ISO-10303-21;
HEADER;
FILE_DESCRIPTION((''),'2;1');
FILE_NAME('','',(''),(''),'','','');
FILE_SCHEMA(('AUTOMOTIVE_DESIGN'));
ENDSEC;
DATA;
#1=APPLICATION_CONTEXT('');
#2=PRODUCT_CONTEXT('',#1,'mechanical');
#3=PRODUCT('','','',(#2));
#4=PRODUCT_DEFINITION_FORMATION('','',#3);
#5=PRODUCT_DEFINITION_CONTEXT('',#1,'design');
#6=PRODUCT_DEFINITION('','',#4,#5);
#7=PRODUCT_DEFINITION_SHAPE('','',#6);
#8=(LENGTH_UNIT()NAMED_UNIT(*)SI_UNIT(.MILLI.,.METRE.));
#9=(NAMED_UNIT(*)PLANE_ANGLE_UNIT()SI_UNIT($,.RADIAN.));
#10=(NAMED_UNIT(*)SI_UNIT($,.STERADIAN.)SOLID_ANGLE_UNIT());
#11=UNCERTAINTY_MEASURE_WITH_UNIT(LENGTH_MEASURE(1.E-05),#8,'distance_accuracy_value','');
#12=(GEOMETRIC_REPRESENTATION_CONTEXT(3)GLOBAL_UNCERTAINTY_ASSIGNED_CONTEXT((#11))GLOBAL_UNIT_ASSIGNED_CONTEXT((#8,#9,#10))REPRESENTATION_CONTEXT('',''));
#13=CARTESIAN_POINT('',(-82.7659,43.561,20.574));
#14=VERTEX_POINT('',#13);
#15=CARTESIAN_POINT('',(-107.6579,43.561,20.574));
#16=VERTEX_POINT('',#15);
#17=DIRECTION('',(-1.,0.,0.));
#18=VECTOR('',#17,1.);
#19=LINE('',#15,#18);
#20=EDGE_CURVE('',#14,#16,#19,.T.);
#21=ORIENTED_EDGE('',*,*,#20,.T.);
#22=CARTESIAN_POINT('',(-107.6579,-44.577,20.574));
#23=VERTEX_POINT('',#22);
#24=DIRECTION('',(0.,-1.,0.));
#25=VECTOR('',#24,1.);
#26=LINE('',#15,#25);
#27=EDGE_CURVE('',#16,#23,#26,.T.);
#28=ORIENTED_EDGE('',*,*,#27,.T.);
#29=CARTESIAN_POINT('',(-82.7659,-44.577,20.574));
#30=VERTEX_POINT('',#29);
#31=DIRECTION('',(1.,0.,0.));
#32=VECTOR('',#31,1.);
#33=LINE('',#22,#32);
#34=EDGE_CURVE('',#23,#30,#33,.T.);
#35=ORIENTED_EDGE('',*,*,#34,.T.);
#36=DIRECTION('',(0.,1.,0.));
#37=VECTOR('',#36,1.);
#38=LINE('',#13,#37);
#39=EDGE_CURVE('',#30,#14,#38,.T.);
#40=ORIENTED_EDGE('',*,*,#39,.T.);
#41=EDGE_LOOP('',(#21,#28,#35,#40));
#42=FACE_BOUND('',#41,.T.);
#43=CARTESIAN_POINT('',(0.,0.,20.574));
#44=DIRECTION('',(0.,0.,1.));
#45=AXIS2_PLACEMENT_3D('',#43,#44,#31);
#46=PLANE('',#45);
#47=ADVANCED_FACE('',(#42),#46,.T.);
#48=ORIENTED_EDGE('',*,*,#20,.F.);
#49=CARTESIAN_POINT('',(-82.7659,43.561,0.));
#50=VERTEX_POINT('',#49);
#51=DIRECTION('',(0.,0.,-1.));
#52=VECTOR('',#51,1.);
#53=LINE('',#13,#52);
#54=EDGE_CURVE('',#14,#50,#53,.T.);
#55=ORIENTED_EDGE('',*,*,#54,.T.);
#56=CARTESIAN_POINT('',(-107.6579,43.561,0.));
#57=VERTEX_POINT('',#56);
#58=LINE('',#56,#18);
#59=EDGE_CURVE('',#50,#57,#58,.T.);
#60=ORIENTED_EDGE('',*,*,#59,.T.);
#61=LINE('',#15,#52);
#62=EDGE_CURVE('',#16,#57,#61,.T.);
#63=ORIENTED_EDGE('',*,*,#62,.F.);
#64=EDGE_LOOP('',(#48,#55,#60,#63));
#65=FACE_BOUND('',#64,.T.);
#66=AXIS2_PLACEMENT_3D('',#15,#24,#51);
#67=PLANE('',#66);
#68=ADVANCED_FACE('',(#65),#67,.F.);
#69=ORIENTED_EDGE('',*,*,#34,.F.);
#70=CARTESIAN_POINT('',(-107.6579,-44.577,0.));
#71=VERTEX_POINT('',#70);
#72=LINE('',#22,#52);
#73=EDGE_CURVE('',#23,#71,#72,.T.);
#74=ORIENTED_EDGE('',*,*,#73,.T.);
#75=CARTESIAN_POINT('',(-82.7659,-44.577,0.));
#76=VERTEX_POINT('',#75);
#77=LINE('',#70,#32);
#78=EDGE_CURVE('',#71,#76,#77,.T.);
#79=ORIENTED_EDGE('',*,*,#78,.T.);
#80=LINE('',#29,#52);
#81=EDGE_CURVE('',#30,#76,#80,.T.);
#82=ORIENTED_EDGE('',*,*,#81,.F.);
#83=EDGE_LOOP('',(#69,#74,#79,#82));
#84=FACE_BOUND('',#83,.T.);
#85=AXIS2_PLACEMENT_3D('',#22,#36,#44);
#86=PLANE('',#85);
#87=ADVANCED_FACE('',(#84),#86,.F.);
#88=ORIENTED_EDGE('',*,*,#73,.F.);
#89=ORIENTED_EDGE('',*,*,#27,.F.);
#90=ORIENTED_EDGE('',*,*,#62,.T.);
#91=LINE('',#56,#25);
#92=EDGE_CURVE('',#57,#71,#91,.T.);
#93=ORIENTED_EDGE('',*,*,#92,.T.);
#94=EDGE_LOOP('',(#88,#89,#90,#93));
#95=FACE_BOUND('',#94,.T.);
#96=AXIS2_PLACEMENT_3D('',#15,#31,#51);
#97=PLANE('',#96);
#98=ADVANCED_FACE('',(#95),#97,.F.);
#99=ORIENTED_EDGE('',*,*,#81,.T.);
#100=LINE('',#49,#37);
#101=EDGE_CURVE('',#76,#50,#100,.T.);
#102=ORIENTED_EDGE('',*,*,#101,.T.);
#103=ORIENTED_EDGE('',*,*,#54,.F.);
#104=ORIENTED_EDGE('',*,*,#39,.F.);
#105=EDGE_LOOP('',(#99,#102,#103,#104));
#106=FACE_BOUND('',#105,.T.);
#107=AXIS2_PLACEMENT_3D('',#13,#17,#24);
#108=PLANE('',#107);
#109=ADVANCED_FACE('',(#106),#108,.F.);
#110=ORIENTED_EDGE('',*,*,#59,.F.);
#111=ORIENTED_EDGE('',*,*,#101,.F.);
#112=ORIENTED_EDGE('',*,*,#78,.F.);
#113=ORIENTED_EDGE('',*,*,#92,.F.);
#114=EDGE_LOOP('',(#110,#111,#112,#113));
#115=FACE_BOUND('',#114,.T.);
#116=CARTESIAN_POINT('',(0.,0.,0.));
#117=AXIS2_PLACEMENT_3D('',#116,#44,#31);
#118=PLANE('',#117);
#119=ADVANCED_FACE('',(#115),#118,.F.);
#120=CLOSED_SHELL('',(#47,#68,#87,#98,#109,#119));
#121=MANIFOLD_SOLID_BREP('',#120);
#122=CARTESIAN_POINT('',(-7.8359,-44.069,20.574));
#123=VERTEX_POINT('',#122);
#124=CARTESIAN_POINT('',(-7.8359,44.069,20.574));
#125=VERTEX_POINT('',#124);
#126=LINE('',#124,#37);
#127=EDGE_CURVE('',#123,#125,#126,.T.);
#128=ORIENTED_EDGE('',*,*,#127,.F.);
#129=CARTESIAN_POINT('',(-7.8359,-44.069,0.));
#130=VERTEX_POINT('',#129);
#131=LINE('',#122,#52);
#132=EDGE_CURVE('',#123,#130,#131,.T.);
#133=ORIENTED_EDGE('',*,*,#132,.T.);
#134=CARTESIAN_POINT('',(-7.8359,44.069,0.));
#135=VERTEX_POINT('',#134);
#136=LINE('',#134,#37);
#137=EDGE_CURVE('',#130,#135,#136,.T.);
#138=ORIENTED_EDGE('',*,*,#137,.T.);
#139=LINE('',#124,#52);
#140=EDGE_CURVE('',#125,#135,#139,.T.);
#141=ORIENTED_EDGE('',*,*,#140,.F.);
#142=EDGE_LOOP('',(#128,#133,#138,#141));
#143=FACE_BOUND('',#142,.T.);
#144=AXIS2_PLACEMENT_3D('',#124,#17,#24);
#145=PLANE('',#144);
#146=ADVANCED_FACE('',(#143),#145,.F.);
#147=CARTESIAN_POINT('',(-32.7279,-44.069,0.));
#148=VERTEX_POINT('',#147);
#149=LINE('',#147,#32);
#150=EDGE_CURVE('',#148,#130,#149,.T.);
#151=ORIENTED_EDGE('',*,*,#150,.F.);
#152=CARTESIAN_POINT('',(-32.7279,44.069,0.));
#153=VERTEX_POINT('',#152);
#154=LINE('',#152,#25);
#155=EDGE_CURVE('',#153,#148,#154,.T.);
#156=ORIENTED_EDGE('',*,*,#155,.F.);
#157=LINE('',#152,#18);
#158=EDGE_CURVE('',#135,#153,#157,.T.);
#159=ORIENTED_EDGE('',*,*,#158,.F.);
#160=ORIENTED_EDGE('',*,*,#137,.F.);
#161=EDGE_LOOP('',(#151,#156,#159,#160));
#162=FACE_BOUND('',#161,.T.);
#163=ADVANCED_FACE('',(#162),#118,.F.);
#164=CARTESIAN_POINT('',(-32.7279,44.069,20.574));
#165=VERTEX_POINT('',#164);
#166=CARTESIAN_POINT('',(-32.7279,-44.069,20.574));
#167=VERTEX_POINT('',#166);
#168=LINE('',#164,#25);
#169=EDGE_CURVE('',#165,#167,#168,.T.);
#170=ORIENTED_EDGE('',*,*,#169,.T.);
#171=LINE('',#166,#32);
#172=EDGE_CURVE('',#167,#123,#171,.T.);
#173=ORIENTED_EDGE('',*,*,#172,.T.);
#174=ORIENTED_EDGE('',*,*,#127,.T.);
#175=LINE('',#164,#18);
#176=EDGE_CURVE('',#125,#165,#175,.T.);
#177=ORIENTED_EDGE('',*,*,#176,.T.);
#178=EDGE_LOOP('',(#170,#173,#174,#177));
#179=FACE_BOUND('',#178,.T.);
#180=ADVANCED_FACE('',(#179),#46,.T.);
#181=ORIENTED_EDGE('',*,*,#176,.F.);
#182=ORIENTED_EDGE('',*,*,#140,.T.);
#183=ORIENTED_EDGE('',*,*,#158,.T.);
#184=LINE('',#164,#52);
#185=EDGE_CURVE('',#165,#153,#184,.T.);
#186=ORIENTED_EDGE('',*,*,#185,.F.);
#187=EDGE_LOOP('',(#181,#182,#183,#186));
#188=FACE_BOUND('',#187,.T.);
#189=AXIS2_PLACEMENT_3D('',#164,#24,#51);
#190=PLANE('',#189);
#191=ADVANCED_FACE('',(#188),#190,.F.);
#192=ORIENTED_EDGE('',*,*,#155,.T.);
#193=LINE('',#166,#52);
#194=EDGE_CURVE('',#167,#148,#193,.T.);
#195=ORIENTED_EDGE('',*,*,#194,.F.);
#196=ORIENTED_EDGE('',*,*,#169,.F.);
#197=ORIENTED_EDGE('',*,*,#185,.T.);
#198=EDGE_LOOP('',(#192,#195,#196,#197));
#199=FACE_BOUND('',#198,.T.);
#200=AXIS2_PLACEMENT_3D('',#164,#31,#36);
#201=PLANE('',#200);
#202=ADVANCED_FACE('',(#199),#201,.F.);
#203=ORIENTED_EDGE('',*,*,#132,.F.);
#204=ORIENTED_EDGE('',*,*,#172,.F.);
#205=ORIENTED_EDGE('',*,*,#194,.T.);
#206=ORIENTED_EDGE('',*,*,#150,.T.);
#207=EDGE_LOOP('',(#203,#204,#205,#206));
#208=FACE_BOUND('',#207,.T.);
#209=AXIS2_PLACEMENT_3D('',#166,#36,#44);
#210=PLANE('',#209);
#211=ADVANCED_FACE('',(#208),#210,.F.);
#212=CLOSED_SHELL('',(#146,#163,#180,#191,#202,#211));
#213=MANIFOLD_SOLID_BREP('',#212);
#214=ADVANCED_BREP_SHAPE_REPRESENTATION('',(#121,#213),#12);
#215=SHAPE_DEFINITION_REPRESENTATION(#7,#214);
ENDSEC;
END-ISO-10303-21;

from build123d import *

# Parameters (mm, degrees)
SKETCH1_W             = 24.892
SKETCH1_H             = 88.138
BOSS_EXTRUDE1_DEPTH   = 20.574
BOSS_EXTRUDE1_2_DEPTH = 20.574


with BuildPart() as part:
    # Sketch1 → Boss-Extrude1 (new body)
    with BuildSketch(Plane.XY):
        with Locations((-20.2819, 0)):
            Rectangle(SKETCH1_W, SKETCH1_H)
    extrude(amount=BOSS_EXTRUDE1_DEPTH)


with BuildPart() as body_2:
    # Sketch1 → Boss-Extrude1 2 (new body)
    with BuildSketch(Plane.XY):
        with Locations((-95.2119, -0.508)):
            Rectangle(SKETCH1_W, SKETCH1_H)
    extrude(amount=BOSS_EXTRUDE1_2_DEPTH)


solid = Compound([part.part, body_2.part])
